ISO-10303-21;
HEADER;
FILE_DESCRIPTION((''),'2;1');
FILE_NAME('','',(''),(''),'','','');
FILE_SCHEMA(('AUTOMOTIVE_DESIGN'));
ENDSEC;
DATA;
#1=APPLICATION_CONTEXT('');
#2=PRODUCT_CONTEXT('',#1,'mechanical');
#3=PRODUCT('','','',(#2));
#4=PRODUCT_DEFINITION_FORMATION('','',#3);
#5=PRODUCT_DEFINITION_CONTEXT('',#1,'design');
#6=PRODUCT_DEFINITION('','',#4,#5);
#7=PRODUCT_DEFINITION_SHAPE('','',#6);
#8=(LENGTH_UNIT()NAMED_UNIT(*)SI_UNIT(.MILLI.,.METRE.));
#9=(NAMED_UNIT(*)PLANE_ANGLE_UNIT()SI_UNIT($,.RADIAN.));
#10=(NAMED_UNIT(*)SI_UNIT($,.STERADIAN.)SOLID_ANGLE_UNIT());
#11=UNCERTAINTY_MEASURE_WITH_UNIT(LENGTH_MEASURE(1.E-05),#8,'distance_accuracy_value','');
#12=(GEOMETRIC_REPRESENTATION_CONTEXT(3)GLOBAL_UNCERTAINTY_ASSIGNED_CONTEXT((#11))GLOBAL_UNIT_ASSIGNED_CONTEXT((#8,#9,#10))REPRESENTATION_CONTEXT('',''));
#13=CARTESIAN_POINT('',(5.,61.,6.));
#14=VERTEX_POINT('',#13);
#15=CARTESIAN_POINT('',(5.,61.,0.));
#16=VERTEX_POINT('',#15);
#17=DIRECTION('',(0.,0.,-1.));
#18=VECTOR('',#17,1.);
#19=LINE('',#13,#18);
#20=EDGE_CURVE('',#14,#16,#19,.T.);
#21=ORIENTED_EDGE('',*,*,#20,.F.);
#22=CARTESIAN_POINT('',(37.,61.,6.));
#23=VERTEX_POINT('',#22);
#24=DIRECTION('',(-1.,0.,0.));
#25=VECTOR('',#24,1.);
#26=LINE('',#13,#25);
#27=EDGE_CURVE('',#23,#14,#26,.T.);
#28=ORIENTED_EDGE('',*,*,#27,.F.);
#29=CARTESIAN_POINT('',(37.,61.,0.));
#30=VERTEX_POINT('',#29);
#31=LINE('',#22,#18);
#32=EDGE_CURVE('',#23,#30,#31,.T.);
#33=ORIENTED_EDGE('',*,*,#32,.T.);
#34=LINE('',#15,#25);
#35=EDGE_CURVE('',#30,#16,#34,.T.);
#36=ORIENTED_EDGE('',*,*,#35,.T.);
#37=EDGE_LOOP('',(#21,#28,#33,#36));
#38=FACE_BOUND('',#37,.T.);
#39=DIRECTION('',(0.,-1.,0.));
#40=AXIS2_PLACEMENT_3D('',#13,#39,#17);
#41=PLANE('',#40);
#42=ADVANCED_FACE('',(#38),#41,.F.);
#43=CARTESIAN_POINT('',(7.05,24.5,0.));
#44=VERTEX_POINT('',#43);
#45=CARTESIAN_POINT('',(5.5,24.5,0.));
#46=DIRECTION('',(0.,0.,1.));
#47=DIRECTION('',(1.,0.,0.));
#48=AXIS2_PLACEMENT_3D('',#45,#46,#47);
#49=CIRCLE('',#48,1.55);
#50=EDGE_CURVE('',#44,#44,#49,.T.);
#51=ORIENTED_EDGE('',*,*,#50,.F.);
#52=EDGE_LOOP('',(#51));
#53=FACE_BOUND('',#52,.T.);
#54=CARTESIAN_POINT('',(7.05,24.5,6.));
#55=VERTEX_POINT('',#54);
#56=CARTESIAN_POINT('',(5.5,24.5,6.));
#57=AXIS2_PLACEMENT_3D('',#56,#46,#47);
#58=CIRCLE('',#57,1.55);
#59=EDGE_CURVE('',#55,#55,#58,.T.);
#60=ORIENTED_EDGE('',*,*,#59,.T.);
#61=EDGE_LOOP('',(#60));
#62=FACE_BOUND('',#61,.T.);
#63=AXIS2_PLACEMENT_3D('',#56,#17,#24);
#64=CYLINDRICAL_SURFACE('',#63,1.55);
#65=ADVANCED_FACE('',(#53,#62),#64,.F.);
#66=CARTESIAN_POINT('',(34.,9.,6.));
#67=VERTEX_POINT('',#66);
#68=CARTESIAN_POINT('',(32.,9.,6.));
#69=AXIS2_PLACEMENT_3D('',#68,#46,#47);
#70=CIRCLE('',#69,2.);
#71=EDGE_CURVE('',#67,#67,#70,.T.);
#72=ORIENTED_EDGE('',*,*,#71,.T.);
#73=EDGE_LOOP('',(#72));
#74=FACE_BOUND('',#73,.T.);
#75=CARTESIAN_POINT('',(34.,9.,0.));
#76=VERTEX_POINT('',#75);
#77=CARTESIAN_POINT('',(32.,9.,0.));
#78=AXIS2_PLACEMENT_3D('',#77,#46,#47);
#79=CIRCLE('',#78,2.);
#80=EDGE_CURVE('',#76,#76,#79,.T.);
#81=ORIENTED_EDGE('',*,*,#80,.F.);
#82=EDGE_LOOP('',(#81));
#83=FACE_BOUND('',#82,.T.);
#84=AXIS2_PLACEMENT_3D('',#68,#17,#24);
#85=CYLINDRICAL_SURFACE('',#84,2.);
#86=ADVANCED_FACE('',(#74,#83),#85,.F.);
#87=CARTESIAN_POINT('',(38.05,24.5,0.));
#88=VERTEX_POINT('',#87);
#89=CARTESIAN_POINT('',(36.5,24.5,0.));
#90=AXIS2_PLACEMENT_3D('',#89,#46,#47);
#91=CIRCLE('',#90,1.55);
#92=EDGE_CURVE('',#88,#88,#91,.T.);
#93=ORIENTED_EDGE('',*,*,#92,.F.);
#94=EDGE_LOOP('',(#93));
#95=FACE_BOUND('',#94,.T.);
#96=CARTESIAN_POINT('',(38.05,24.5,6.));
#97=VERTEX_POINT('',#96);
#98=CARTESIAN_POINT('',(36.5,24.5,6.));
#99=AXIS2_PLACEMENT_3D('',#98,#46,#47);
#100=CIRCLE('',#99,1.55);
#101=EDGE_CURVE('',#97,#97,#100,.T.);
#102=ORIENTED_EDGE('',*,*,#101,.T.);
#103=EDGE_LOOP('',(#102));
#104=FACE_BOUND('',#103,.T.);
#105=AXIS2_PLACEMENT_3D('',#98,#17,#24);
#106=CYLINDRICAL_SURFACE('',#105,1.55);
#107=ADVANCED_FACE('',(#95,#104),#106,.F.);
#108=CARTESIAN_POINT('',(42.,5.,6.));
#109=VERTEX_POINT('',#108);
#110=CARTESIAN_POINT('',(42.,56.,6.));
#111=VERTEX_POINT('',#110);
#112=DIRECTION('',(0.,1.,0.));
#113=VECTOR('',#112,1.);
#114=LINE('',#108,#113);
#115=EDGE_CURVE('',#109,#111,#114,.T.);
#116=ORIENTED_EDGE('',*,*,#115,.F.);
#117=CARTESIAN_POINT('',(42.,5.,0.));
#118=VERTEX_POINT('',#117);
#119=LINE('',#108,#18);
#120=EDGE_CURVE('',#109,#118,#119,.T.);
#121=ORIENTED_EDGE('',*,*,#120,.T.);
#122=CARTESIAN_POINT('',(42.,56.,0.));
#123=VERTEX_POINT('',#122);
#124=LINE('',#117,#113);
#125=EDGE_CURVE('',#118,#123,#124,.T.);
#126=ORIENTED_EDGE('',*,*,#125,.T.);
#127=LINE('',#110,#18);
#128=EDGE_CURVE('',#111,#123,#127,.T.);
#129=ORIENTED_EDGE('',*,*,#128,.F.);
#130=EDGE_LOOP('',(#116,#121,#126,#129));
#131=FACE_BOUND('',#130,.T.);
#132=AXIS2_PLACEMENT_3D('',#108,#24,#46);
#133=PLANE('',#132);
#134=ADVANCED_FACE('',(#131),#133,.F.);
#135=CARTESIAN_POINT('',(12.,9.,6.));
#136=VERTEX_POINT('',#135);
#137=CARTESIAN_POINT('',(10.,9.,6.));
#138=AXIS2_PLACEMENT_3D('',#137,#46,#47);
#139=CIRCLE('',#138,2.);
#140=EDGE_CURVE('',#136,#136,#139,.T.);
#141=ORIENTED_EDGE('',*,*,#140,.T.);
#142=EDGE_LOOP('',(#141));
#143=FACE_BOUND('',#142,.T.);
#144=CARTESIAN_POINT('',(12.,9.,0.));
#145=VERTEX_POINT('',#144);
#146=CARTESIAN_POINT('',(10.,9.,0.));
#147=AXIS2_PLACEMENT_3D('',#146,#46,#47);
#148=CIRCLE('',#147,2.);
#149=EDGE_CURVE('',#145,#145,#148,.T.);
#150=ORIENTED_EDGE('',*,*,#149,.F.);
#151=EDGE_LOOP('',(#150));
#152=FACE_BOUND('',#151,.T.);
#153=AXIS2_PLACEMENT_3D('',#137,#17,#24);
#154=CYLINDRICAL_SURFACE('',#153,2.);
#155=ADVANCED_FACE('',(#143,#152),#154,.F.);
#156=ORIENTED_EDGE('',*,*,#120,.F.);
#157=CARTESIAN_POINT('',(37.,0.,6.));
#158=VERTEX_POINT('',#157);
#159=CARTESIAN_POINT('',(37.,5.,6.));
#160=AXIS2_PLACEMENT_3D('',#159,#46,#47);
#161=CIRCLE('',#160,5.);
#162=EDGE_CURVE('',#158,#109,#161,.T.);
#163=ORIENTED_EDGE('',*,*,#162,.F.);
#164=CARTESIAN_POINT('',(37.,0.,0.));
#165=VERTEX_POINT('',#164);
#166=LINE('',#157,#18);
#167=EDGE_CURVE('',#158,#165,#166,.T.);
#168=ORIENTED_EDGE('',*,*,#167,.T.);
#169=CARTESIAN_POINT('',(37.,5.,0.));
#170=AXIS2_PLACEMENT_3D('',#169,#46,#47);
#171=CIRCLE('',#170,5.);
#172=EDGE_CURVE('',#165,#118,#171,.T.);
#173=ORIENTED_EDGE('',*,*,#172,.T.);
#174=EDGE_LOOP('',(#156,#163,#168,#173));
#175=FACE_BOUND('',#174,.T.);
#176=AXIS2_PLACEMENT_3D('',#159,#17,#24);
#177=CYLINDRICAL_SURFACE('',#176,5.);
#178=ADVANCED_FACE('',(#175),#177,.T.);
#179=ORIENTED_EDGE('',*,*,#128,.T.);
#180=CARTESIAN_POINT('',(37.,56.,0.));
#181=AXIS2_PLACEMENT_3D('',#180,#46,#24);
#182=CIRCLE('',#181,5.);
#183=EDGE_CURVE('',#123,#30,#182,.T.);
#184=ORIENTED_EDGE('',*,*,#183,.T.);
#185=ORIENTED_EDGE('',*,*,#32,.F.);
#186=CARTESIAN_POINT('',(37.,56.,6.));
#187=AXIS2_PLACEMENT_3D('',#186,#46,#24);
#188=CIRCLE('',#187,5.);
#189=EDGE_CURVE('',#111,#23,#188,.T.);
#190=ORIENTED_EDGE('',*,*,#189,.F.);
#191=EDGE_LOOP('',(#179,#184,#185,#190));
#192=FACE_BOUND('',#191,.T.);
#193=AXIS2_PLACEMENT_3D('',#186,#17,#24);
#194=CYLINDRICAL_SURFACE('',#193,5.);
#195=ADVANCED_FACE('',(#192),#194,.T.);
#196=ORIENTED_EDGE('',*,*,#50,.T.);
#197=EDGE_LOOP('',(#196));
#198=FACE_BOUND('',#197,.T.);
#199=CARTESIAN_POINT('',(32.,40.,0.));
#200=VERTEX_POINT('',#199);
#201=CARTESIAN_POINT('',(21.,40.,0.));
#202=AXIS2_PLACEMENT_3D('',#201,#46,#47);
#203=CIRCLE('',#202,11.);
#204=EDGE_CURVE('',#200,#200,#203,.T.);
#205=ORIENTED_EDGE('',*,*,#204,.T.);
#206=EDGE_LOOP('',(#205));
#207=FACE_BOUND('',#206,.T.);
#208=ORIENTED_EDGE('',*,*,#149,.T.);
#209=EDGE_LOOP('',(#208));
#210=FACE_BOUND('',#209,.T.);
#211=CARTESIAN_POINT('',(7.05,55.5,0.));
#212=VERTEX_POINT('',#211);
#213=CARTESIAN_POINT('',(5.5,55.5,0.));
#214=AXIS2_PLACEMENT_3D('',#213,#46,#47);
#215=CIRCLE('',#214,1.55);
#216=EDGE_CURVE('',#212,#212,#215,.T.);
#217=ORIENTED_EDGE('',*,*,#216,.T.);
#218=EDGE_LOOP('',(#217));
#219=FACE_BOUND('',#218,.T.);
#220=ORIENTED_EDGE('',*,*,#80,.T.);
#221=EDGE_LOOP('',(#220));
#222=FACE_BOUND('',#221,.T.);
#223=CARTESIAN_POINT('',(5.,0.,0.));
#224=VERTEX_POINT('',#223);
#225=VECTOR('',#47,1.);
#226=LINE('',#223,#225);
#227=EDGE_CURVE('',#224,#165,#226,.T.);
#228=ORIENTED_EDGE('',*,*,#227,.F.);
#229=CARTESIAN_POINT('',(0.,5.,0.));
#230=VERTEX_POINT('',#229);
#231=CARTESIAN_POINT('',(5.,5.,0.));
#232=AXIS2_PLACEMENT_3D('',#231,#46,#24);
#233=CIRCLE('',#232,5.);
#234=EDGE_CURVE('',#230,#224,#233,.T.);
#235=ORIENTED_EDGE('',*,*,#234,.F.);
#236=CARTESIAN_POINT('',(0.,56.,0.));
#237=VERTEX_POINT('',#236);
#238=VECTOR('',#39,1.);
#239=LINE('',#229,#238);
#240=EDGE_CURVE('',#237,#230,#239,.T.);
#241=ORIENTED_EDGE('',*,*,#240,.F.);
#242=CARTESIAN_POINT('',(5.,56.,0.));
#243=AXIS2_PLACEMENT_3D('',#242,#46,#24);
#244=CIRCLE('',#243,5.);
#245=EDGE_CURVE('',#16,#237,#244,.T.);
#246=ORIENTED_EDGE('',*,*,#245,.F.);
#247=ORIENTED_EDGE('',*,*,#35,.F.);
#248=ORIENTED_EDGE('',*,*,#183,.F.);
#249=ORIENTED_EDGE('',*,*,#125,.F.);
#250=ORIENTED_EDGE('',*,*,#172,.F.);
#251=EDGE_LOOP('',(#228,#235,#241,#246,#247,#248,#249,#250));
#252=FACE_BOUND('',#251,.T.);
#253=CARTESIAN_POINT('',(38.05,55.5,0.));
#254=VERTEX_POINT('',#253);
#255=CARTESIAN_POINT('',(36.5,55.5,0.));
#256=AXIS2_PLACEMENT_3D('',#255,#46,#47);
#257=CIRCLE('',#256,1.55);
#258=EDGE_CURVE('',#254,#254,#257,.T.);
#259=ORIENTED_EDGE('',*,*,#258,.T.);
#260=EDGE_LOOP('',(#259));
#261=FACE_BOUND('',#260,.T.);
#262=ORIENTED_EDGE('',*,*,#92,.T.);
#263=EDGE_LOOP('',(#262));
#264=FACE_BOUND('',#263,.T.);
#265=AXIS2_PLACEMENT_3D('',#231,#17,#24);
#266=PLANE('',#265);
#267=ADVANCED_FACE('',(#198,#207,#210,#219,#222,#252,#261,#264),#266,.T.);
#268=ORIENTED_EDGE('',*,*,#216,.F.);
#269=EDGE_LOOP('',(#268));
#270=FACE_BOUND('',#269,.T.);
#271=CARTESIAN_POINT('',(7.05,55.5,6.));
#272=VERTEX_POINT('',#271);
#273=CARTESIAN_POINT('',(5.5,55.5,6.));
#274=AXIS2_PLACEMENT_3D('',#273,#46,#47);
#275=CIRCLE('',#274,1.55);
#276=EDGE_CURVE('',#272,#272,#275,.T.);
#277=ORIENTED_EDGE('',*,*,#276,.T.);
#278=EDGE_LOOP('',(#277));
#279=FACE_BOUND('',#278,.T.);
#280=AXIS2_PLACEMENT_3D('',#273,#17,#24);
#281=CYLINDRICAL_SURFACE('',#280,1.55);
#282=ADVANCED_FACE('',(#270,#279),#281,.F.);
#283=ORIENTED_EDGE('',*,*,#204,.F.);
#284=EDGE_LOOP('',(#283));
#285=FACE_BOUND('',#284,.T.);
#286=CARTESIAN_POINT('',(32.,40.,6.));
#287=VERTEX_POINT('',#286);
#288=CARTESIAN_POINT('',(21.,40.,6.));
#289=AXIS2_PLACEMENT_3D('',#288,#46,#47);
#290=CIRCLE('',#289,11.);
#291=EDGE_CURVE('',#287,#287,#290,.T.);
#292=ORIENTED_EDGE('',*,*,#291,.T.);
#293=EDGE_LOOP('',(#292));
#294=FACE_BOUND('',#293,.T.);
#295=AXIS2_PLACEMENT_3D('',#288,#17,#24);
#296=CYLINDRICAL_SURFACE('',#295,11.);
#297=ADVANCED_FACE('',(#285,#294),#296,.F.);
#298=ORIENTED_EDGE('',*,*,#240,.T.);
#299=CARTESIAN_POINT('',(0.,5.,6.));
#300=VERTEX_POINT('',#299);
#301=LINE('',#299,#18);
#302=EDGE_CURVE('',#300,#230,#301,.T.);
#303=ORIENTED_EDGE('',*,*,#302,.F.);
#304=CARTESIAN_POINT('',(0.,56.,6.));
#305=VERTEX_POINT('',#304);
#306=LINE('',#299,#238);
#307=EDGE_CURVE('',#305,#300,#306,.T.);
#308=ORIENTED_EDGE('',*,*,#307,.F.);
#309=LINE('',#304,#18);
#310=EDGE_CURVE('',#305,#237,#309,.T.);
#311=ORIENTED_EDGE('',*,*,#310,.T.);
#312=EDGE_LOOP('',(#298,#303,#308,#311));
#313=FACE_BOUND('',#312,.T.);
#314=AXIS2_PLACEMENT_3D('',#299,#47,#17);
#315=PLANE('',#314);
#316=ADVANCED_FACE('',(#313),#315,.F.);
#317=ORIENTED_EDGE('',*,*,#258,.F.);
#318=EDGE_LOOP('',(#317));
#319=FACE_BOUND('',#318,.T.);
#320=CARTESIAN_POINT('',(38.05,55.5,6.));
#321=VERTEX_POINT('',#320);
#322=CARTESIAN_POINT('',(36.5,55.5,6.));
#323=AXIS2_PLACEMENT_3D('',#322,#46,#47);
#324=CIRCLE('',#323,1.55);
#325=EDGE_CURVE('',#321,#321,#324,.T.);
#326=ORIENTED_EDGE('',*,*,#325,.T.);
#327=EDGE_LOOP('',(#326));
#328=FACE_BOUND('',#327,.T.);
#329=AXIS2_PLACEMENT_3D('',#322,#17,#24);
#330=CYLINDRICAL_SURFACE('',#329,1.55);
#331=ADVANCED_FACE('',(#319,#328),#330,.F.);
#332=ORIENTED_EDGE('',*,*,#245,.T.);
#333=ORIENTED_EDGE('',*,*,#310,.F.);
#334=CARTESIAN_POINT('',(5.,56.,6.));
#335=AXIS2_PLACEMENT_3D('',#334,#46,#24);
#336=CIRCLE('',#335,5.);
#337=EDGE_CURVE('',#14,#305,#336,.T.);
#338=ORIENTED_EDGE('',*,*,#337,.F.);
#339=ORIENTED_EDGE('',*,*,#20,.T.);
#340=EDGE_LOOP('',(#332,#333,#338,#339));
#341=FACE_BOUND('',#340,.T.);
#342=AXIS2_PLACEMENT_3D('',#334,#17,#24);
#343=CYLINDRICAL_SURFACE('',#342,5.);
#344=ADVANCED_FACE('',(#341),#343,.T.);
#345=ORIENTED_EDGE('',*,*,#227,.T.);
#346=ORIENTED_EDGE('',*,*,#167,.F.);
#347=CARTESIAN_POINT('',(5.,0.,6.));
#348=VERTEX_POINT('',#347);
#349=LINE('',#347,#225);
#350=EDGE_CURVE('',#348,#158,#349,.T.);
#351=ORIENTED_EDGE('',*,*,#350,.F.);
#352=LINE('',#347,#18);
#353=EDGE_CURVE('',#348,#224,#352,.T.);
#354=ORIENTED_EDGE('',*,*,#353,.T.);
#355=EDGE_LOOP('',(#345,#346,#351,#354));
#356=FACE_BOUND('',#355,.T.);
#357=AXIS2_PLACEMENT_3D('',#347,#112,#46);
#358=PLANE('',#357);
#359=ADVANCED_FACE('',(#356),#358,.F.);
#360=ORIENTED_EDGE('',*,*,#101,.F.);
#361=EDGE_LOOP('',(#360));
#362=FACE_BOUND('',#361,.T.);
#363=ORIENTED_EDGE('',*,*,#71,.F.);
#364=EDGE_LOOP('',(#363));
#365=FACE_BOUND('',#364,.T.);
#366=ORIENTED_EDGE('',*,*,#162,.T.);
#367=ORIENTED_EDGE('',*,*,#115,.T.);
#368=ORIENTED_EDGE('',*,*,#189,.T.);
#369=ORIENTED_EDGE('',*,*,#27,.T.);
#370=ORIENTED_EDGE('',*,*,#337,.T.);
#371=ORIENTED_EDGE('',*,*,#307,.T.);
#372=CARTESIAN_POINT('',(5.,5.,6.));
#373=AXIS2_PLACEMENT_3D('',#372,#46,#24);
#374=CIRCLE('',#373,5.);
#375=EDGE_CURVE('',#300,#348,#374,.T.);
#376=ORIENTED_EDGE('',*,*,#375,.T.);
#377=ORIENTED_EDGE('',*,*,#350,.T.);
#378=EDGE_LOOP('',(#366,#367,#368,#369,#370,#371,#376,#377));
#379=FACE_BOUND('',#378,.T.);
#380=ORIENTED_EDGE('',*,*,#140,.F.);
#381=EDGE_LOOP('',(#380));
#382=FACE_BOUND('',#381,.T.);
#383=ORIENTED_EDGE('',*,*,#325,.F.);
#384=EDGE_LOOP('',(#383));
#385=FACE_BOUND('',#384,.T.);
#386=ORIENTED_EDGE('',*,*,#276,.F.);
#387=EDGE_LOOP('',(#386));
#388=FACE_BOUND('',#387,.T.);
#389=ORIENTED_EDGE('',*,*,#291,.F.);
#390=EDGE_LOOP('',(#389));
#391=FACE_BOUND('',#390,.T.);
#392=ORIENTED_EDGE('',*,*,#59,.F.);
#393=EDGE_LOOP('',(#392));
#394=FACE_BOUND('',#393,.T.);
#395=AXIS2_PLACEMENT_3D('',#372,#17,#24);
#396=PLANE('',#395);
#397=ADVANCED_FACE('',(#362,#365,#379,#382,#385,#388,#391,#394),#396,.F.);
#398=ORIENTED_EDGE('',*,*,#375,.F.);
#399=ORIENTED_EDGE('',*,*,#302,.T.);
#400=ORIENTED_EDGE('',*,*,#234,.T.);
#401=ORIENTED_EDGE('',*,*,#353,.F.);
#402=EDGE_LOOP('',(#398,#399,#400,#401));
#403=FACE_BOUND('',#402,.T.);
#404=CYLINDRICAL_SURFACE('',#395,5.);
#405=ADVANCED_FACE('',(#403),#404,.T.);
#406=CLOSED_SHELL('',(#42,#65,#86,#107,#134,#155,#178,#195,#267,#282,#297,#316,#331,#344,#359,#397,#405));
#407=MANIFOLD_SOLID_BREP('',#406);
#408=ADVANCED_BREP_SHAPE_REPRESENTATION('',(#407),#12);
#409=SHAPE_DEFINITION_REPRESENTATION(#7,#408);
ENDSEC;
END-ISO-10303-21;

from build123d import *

# Parameters (mm, degrees)
SKETCH1_R           = 11
SKETCH1_R_2         = 1.55
SKETCH1_R_3         = 2
BOSS_EXTRUDE1_DEPTH = 6


with BuildPart() as part:
    # Sketch1 → Boss-Extrude1 (new body)
    with BuildSketch(Plane.XY):
        with BuildLine():
            Line((5, 0), (37, 0))
            ThreePointArc((37, 0), (40.535533906, 1.464466094), (42, 5))
            Line((42, 5), (42, 56))
            ThreePointArc((42, 56), (40.535533906, 59.535533906), (37, 61))
            Line((37, 61), (5, 61))
            ThreePointArc((5, 61), (1.464466094, 59.535533906), (0, 56))
            Line((0, 56), (0, 5))
            ThreePointArc((0, 5), (1.464466094, 1.464466094), (5, 0))
        make_face()
        with Locations((21, 40)):
            Circle(SKETCH1_R, mode=Mode.SUBTRACT)
        with Locations((36.5, 55.5)):
            Circle(SKETCH1_R_2, mode=Mode.SUBTRACT)
        with Locations((5.5, 55.5)):
            Circle(SKETCH1_R_2, mode=Mode.SUBTRACT)
        with Locations((5.5, 24.5)):
            Circle(SKETCH1_R_2, mode=Mode.SUBTRACT)
        with Locations((36.5, 24.5)):
            Circle(SKETCH1_R_2, mode=Mode.SUBTRACT)
        with Locations((10, 9)):
            Circle(SKETCH1_R_3, mode=Mode.SUBTRACT)
        with Locations((32, 9)):
            Circle(SKETCH1_R_3, mode=Mode.SUBTRACT)
    extrude(amount=BOSS_EXTRUDE1_DEPTH)


solid = part.part
